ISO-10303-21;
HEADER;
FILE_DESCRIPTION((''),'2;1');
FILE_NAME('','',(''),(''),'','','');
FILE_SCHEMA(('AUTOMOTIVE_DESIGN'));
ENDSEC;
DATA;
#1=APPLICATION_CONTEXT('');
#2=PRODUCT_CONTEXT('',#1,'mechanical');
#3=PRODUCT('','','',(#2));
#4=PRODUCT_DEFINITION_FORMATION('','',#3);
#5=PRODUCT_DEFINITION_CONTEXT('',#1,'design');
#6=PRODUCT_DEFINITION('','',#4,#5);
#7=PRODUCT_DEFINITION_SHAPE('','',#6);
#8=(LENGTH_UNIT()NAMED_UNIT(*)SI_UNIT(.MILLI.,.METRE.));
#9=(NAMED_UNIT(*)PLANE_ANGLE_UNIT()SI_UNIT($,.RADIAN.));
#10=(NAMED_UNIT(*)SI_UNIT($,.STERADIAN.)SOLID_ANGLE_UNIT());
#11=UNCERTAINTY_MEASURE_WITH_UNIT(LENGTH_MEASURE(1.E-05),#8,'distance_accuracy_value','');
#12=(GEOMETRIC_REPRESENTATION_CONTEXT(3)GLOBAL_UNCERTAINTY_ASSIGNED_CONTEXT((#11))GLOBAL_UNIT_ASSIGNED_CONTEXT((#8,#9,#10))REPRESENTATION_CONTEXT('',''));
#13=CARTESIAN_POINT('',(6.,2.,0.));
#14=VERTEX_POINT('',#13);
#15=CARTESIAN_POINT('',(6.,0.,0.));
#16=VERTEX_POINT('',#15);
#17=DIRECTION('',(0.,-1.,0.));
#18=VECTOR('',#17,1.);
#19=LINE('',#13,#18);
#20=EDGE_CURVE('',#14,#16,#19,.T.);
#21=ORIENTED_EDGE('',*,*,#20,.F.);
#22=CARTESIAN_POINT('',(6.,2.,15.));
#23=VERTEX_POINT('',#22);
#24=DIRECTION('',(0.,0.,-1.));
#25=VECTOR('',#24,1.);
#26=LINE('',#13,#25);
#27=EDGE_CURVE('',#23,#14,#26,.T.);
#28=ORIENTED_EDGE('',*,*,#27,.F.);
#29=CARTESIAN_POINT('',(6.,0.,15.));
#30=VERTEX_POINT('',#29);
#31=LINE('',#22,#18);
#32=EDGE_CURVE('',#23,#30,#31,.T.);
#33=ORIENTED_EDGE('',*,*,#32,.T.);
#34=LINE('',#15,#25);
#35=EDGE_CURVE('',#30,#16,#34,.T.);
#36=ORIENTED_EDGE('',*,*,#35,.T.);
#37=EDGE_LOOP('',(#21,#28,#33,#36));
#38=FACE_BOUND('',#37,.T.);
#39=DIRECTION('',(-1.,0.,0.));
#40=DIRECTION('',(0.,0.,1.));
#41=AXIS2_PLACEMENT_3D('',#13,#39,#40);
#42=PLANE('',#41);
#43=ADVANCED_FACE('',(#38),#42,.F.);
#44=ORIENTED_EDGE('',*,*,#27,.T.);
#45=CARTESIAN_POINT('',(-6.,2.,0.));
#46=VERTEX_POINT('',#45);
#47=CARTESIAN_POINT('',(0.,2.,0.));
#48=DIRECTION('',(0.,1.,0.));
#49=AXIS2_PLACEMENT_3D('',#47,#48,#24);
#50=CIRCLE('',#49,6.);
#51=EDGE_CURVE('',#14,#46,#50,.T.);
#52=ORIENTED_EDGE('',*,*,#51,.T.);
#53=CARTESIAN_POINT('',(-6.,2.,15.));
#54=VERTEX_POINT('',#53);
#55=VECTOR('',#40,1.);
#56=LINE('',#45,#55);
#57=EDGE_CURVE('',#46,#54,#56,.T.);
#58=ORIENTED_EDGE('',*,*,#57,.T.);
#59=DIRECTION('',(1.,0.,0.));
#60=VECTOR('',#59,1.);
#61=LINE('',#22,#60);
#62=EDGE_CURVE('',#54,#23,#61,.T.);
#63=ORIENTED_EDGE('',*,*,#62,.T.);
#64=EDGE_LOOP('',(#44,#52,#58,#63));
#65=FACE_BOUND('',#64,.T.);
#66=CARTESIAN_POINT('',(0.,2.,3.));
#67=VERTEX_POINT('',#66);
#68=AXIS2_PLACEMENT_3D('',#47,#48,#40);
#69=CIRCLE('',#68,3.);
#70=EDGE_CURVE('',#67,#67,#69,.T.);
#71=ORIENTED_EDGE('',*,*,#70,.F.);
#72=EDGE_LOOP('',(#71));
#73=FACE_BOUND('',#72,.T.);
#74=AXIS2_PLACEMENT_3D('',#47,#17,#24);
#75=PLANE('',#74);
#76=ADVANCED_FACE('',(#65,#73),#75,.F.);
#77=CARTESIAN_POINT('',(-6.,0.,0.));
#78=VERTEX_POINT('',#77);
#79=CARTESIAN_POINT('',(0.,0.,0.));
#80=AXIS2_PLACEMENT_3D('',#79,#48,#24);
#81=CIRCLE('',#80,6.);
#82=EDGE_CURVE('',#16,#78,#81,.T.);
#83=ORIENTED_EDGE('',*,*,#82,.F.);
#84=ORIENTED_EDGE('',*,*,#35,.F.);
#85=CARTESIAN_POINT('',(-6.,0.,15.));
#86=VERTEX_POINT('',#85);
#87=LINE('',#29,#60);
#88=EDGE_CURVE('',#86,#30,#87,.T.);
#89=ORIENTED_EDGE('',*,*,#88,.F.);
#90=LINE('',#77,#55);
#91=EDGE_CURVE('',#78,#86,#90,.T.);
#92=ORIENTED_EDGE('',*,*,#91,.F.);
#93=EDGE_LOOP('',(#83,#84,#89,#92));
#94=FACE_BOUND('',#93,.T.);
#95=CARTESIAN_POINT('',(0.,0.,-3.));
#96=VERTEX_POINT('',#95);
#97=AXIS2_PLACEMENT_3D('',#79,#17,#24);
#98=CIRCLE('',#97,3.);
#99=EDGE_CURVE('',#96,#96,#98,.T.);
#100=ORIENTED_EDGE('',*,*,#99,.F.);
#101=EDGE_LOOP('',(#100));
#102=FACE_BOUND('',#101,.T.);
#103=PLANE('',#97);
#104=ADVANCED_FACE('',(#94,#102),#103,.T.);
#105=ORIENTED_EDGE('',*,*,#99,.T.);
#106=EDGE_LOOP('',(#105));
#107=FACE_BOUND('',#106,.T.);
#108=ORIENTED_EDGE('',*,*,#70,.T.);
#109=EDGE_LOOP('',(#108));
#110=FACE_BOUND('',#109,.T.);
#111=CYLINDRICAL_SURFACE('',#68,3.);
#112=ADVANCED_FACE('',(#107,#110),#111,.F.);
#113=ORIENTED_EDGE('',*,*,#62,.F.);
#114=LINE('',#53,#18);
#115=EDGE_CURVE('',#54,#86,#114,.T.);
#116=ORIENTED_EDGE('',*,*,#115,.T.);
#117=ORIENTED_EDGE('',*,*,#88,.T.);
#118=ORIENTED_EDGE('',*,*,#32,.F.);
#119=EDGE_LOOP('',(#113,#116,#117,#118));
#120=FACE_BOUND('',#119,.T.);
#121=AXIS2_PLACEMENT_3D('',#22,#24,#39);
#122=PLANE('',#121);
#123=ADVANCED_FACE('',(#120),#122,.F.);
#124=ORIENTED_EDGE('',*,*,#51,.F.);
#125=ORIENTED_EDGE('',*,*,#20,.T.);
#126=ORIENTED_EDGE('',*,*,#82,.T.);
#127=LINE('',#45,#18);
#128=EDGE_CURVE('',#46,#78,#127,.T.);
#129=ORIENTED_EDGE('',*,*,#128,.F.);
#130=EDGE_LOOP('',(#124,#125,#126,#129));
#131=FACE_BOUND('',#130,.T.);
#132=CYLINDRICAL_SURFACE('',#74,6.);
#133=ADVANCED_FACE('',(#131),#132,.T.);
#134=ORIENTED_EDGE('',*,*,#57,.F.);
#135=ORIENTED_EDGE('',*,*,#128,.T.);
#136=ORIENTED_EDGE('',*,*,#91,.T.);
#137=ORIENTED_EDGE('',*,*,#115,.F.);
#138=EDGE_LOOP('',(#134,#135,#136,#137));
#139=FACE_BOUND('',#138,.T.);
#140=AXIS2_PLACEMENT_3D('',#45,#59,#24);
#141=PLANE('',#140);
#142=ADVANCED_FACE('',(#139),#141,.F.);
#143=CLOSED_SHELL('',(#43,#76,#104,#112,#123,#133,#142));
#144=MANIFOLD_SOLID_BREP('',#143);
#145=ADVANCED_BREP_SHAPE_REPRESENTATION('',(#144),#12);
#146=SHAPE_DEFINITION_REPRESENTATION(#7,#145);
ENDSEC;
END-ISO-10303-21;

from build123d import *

# Parameters (mm, degrees)
DODANIE_WYCI_GNI_CIE1_DEPTH = 2
OTW_R1_D                    = 6
OTW_R1_DEPTH                = 2


with BuildPart() as part:
    # Szkic1 → Dodanie-wyciągnięcie1 (new body)
    with BuildSketch(Plane(origin=(0, 0, 0), x_dir=(1, 0, 0), z_dir=(0, 1, 0))):
        with BuildLine():
            Line((-6, 0), (-6, -15))
            Line((-6, -15), (6, -15))
            Line((6, -15), (6, 0))
            ThreePointArc((6, 0), (0, 6), (-6, 0))
        make_face()
    extrude(amount=DODANIE_WYCI_GNI_CIE1_DEPTH)

    # Otwór1
    with Locations(Plane(origin=(0, 2, 0), x_dir=(1, 0, 0), z_dir=(0, 1, 0))):
        with Locations((0, 0)):
            Hole(OTW_R1_D / 2, depth=OTW_R1_DEPTH)


solid = part.part
